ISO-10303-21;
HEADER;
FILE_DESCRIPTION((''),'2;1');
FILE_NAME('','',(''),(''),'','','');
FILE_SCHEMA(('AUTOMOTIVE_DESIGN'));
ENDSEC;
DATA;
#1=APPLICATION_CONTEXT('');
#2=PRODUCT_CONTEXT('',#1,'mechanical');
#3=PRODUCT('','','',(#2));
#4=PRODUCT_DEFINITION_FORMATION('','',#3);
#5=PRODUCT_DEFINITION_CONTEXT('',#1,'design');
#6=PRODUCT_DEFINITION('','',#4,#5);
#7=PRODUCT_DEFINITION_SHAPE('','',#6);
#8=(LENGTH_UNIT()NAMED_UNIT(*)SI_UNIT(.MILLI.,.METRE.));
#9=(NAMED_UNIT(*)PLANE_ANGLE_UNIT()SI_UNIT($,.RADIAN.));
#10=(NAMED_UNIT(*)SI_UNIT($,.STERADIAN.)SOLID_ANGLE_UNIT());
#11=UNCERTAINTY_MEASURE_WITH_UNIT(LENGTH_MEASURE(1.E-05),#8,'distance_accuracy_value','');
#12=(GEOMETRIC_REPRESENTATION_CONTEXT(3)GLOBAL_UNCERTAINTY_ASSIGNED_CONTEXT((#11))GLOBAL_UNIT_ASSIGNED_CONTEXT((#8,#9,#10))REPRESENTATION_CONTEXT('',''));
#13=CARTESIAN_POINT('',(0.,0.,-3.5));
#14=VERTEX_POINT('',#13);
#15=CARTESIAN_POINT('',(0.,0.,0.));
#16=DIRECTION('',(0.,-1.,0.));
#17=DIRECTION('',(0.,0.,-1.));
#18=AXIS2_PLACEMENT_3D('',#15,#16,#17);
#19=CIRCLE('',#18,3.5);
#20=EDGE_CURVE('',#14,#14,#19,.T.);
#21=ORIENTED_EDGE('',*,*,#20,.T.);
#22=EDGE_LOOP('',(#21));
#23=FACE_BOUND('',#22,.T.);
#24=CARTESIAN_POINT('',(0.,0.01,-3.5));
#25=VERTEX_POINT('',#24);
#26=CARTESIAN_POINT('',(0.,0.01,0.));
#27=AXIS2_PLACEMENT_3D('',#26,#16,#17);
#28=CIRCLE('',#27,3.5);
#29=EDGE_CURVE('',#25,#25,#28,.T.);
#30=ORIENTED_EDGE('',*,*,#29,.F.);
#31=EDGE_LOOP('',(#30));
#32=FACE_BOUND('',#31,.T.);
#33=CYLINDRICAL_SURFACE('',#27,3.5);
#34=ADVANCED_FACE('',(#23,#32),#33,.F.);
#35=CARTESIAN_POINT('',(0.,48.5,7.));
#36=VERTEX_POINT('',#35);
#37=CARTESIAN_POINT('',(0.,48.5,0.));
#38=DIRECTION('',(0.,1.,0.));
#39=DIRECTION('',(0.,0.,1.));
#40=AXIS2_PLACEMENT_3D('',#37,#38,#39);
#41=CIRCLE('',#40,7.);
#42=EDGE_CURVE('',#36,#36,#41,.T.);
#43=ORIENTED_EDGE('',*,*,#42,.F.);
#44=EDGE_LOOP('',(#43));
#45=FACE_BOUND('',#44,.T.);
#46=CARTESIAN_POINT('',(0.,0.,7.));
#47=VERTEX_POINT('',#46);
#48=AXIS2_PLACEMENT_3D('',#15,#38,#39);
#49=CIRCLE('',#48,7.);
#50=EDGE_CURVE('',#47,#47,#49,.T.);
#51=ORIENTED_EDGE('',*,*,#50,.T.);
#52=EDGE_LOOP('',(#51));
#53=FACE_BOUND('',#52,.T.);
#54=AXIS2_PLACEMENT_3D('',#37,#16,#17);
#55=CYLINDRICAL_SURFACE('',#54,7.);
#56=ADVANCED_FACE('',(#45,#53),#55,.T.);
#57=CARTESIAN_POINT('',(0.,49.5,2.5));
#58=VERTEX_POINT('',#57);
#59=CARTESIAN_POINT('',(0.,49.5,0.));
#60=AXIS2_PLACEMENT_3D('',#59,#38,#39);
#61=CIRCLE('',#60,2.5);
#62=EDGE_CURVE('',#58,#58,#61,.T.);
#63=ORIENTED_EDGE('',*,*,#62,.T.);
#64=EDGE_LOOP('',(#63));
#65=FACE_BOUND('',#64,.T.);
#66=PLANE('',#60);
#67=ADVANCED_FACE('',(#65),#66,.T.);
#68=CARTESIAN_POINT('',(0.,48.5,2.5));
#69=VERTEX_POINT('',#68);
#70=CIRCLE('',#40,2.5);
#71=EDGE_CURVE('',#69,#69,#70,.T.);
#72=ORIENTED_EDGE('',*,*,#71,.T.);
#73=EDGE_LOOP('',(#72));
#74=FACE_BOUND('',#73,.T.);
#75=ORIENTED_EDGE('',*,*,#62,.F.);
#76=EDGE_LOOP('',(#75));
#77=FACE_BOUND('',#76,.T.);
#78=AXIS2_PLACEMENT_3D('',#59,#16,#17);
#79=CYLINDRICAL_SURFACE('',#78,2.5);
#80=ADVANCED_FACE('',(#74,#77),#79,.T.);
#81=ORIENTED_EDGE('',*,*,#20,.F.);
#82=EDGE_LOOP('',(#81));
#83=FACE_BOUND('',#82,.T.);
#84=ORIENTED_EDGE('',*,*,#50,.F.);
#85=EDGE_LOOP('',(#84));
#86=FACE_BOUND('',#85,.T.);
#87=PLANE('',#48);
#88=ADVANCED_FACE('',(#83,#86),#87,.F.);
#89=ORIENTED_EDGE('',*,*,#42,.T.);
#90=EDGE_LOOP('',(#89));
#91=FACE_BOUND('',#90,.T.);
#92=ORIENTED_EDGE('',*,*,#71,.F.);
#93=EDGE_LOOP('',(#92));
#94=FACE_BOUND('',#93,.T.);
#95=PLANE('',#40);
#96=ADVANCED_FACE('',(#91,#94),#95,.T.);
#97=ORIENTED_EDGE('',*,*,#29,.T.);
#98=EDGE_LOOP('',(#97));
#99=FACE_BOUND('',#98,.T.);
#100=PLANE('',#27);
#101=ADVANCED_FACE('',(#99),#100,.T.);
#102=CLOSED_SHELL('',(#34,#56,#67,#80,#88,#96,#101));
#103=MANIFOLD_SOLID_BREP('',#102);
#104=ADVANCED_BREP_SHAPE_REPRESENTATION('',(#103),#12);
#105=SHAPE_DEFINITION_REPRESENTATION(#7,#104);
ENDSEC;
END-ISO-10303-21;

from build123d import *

# Parameters (mm, degrees)
SKETCH1_R           = 7
BOSS_EXTRUDE1_DEPTH = 48.5
SKETCH2_R           = 2.5
BOSS_EXTRUDE2_DEPTH = 1
SKETCH3_R           = 3.5
CUT_EXTRUDE1_DEPTH  = 0.01


with BuildPart() as part:
    # Sketch1 → Boss-Extrude1 (new body)
    with BuildSketch(Plane(origin=(0, 0, 0), x_dir=(1, 0, 0), z_dir=(0, 1, 0))):
        Circle(SKETCH1_R)
    extrude(amount=BOSS_EXTRUDE1_DEPTH)

    # Sketch2 → Boss-Extrude2 (add)
    with BuildSketch(Plane(origin=(0, 48.5, 0), x_dir=(1, 0, 0), z_dir=(0, 1, 0))):
        Circle(SKETCH2_R)
    extrude(amount=BOSS_EXTRUDE2_DEPTH)

    # Sketch3 → Cut-Extrude1 (cut)
    with BuildSketch(Plane(origin=(0, 0, 0), x_dir=(-1, 0, 0), z_dir=(0, -1, 0))):
        Circle(SKETCH3_R)
    extrude(amount=-CUT_EXTRUDE1_DEPTH, mode=Mode.SUBTRACT)


solid = part.part
